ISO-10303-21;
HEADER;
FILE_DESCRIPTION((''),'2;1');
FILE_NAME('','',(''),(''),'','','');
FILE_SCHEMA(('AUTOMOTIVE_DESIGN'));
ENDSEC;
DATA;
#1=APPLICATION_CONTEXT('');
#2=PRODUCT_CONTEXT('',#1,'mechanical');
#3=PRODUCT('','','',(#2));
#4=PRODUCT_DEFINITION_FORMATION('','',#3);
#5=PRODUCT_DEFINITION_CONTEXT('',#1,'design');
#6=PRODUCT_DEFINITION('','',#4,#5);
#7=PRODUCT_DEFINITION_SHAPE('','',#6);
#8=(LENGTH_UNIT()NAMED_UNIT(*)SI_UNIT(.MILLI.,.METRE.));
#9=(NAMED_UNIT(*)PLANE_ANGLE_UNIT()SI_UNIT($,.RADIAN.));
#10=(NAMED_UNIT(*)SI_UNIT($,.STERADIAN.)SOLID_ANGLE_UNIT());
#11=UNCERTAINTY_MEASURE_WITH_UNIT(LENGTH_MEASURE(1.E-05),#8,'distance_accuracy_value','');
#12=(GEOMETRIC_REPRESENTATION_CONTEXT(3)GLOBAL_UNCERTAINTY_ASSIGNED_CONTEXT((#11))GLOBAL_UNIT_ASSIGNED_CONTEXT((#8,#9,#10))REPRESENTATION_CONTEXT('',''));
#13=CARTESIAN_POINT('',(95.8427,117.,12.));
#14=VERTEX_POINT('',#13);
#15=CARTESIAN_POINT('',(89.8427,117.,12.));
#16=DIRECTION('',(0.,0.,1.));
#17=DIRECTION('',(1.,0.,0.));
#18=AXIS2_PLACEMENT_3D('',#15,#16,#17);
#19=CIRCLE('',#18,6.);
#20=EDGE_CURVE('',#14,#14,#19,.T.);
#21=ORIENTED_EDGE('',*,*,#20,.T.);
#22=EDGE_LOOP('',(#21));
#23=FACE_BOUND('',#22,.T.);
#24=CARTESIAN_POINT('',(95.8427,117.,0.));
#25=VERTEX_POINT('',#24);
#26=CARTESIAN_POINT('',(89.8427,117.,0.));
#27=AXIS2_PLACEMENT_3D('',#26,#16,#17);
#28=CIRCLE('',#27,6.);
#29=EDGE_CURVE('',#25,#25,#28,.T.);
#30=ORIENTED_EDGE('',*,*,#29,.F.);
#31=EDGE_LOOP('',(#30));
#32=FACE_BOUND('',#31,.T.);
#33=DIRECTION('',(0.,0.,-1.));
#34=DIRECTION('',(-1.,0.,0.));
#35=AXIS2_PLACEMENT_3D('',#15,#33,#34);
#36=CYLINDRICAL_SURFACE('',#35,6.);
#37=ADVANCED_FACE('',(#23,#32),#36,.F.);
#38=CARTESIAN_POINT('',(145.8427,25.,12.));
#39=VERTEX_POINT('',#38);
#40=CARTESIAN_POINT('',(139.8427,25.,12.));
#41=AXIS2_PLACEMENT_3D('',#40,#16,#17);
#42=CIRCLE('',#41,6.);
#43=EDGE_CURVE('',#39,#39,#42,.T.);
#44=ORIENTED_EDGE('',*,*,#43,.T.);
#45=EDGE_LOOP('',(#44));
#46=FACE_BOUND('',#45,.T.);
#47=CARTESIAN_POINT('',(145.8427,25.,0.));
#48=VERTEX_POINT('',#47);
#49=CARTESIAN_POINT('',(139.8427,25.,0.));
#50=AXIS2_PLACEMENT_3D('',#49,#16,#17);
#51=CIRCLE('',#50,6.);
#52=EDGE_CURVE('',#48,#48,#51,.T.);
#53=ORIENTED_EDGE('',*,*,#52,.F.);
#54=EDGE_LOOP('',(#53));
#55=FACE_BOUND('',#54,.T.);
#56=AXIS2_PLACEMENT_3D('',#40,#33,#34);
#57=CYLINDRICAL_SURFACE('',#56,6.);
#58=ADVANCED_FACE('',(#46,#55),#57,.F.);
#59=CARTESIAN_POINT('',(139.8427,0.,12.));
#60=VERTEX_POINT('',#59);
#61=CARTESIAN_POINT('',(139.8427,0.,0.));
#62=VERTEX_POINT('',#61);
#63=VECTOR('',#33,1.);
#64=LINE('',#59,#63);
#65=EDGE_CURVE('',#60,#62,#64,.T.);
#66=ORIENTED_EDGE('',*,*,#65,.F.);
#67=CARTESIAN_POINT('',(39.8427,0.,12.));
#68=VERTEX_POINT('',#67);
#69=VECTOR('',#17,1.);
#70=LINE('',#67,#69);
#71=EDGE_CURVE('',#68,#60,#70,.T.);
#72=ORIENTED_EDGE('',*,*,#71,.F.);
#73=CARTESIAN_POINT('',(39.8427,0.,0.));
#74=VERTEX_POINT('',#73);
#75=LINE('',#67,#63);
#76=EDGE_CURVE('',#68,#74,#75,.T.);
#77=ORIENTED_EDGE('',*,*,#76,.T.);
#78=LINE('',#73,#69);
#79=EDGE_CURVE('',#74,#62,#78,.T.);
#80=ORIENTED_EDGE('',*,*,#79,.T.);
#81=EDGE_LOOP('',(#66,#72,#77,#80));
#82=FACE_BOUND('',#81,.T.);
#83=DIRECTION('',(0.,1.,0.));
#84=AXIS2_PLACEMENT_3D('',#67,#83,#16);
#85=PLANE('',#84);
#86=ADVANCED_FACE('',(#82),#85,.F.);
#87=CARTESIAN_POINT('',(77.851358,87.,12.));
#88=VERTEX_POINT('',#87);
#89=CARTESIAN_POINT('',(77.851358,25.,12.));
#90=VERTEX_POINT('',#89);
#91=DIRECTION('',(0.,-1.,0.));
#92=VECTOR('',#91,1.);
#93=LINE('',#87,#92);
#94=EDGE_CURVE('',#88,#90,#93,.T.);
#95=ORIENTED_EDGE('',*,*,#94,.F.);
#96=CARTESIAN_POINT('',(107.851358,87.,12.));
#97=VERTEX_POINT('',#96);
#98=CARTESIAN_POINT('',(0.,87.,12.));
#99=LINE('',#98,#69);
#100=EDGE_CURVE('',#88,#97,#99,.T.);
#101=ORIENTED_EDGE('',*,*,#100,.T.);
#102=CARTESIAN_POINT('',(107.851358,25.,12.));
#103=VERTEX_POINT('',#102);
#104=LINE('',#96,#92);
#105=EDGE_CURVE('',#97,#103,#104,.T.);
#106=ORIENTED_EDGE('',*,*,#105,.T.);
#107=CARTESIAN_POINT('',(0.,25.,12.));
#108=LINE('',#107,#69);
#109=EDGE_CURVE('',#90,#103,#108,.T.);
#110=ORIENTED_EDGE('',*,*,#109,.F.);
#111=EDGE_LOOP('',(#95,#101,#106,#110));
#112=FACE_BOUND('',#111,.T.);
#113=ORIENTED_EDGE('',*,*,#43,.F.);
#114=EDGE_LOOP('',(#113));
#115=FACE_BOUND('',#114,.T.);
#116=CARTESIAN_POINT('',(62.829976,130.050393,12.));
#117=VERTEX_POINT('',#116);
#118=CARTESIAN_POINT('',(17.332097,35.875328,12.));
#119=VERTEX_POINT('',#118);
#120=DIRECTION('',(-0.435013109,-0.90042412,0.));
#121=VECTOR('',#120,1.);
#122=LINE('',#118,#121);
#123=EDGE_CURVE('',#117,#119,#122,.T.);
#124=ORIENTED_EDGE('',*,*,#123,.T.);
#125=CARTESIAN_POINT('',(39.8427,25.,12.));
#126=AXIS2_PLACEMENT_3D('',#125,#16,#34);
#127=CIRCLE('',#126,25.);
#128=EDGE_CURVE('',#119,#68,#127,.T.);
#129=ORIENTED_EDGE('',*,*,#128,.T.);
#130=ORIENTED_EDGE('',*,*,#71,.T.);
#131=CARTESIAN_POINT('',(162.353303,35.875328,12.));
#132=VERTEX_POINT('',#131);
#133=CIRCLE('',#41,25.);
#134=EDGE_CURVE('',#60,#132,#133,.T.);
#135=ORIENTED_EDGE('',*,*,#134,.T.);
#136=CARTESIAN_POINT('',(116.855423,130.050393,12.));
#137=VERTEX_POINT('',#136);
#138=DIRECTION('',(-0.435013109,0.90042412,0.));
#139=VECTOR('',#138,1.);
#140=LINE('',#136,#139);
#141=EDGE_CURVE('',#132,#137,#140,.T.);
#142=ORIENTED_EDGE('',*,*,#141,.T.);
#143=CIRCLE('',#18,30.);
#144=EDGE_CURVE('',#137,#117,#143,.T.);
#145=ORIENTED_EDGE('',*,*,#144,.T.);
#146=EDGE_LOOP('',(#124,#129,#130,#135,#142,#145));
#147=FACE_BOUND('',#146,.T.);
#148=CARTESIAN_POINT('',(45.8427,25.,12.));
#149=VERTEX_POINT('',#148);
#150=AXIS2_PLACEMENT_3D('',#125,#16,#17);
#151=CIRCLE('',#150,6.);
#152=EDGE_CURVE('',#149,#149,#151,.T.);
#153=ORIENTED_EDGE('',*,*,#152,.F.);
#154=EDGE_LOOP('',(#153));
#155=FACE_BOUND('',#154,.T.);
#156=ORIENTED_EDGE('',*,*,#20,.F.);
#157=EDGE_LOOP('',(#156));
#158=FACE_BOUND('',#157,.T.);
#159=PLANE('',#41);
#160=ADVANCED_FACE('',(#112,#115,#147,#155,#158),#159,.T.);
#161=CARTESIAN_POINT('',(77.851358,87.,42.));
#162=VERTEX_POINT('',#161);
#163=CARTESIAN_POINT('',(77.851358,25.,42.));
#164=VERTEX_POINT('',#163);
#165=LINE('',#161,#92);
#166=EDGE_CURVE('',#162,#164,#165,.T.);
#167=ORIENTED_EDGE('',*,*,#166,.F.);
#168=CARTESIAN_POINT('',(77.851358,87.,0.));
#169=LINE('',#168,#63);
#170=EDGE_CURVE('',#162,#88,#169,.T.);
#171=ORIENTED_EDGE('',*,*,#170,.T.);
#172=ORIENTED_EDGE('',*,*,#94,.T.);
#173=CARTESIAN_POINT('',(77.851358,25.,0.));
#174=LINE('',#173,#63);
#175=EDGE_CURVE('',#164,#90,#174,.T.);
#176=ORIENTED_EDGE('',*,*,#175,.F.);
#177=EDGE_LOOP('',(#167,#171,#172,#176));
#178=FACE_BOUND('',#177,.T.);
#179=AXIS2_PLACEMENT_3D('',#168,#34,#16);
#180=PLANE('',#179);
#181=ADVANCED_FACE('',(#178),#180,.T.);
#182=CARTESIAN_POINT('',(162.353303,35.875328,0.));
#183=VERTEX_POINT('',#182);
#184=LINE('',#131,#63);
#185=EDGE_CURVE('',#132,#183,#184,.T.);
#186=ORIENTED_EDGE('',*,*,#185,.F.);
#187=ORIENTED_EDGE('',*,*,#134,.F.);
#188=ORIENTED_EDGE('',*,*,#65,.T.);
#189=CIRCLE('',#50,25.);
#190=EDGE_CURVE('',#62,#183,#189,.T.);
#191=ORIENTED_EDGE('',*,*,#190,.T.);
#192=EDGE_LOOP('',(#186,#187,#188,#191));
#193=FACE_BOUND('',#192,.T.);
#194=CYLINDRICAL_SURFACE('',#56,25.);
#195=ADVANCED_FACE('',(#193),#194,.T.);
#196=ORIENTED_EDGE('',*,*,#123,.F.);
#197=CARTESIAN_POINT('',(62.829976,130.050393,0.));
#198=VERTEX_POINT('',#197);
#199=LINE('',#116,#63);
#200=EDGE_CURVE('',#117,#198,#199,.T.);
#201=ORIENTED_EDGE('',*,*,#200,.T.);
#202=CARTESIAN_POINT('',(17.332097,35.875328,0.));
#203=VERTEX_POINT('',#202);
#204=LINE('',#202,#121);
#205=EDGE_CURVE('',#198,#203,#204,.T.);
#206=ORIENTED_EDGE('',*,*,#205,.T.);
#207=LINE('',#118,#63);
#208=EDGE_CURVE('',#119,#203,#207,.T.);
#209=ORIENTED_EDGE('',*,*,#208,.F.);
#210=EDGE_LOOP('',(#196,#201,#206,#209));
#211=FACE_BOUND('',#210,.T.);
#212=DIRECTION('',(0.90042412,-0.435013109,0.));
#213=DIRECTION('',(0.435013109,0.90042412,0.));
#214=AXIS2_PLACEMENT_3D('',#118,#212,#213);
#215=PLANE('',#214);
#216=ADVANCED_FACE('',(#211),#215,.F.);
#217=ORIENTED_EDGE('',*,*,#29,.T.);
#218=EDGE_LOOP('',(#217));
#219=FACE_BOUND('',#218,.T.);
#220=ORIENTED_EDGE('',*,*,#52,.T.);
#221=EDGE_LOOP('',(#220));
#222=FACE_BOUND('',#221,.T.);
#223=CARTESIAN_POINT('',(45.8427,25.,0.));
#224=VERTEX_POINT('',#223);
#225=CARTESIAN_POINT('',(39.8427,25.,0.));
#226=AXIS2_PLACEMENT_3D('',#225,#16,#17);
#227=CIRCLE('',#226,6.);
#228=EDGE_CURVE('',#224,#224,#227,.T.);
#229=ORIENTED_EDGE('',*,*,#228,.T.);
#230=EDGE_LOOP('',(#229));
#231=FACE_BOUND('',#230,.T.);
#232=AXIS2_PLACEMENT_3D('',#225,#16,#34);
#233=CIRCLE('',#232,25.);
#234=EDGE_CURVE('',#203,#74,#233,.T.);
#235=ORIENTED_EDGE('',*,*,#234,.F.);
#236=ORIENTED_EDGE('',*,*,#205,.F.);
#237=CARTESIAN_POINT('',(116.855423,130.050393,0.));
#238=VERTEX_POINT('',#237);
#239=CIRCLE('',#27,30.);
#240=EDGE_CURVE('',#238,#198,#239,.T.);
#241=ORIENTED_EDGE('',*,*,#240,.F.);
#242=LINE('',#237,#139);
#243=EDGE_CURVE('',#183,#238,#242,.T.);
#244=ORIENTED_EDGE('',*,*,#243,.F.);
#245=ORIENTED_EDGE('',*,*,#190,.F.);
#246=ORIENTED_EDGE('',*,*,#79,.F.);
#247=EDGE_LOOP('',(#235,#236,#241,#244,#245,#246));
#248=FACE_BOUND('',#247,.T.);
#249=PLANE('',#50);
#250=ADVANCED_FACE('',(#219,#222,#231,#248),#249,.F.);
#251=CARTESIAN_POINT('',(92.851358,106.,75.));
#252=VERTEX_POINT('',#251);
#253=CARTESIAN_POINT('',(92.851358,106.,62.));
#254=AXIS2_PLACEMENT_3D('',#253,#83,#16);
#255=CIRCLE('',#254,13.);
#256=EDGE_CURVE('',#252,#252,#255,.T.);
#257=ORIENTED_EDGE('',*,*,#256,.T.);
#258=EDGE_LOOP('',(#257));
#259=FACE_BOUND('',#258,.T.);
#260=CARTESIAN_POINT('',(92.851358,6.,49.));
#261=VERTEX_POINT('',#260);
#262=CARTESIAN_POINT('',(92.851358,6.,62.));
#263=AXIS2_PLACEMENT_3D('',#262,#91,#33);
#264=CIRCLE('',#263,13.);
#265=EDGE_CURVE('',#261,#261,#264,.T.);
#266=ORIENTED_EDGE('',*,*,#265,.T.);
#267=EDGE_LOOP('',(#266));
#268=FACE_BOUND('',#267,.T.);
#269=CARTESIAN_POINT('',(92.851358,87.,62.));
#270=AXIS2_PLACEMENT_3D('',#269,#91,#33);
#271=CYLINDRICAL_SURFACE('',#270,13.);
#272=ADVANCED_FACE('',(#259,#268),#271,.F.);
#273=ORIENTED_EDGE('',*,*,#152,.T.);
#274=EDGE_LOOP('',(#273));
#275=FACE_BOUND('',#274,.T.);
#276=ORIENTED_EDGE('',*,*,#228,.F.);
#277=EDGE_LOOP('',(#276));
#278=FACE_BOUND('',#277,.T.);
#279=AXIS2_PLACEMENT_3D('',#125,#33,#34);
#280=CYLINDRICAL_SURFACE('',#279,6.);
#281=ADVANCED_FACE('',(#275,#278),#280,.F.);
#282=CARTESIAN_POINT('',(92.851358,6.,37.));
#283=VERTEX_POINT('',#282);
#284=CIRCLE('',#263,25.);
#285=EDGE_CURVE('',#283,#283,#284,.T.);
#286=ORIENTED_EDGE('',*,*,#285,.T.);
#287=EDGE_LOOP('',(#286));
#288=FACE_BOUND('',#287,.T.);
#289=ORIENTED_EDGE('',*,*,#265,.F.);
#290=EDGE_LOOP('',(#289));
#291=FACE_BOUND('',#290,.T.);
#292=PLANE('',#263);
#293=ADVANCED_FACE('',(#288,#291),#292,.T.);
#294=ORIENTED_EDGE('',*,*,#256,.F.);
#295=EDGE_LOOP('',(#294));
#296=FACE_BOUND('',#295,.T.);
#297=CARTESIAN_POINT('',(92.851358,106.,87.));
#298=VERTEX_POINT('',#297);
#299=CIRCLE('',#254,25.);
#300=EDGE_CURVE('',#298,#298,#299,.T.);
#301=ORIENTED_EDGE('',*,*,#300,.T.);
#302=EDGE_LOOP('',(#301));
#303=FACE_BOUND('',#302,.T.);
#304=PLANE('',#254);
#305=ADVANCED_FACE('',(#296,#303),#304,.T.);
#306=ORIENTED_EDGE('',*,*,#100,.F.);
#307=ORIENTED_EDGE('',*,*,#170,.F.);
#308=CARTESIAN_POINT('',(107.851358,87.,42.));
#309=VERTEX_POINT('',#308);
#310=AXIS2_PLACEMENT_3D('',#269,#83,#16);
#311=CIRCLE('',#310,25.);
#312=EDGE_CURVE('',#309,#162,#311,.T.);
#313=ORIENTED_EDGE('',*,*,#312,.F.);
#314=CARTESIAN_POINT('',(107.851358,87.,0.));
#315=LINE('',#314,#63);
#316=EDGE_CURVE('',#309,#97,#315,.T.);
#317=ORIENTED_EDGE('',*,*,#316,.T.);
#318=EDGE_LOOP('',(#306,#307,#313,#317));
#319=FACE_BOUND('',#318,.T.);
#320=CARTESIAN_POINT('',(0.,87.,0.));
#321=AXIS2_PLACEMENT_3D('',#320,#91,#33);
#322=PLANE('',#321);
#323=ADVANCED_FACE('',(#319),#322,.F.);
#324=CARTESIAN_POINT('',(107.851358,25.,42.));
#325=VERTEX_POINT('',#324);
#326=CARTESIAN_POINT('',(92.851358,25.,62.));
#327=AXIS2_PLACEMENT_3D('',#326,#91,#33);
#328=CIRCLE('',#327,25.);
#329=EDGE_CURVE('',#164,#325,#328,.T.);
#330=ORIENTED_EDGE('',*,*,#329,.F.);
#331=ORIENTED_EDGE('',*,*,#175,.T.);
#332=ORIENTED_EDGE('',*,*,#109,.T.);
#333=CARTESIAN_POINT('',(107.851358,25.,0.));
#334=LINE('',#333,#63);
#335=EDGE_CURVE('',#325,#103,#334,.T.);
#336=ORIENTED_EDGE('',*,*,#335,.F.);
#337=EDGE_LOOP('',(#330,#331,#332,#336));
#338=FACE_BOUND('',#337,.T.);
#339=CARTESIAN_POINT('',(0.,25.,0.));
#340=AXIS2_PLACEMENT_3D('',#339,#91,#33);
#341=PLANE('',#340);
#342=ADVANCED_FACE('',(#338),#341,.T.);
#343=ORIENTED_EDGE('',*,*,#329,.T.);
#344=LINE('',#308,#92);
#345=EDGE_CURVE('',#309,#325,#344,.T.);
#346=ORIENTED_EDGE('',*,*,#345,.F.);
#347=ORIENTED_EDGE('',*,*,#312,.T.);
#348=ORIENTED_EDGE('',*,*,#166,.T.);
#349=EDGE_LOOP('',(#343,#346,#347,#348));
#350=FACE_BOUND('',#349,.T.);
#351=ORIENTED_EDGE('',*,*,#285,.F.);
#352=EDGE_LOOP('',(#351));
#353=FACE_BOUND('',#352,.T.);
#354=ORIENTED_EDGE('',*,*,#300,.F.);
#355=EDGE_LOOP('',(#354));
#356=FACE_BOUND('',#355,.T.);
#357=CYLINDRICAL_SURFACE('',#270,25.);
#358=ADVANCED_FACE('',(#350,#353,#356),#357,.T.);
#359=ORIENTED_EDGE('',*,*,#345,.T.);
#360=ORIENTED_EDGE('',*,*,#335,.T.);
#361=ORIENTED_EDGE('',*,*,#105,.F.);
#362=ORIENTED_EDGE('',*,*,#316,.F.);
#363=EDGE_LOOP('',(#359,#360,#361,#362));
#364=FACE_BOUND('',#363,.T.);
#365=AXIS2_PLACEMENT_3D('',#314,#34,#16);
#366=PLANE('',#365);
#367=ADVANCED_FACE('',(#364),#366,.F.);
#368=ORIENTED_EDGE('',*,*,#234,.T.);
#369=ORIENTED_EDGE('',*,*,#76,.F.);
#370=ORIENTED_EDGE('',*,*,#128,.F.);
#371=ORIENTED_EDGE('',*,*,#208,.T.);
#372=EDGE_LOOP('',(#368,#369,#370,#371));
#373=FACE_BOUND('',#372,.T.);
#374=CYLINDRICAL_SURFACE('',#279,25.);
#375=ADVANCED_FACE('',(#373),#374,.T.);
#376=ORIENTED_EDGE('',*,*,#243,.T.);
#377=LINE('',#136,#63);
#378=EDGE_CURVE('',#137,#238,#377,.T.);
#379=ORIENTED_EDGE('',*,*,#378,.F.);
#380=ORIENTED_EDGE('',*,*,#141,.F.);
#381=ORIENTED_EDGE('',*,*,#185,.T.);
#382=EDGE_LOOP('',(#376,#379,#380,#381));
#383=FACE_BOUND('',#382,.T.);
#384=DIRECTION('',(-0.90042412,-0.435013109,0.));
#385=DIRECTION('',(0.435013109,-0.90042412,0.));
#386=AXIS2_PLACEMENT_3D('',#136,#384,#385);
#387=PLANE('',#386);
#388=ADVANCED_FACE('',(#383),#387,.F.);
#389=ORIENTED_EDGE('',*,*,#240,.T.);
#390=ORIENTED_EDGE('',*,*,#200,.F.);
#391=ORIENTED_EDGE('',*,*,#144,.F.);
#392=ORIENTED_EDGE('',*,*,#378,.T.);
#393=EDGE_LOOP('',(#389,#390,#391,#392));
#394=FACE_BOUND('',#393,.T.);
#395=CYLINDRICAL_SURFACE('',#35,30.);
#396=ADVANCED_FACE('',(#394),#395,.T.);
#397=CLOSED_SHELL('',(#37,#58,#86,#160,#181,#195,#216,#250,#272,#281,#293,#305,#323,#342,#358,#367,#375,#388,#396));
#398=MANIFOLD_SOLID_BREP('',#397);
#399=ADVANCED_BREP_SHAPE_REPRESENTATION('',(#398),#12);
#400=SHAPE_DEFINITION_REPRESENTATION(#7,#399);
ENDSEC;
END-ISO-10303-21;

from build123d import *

# Parameters (mm, degrees)
IZIM2_R                     = 6
Y_KSEKLIK_EKSTR_ZYON2_DEPTH = 12
IZIM4_R                     = 25
IZIM4_R_2                   = 13
Y_KSEKLIK_EKSTR_ZYON3_DEPTH = 62
IZIM4_6_R                   = 25
IZIM4_6_R_2                 = 13
Y_KSEKLIK_EKSTR_ZYON4_DEPTH = 19
IZIM5_R                     = 25
IZIM5_R_2                   = 13
Y_KSEKLIK_EKSTR_ZYON5_DEPTH = 19


with BuildPart() as part:
    # Çizim2 → Yükseklik-Ekstrüzyon2 (new body)
    with BuildSketch(Plane.XY):
        with BuildLine():
            Line((17.332096605, 35.875327714), (62.829976007, 130.050393256))
            ThreePointArc((62.829976007, 130.050393256), (89.842699599, 147), (116.85542319, 130.050393256))
            Line((116.85542319, 130.050393256), (162.353302592, 35.875327714))
            ThreePointArc((162.353302592, 35.875327714), (161.019139253, 11.712471879), (139.842699599, 0))
            Line((139.842699599, 0), (39.842699599, 0))
            ThreePointArc((39.842699599, 0), (18.666259945, 11.712471879), (17.332096605, 35.875327714))
        make_face()
        with Locations((89.842699599, 117)):
            Circle(IZIM2_R, mode=Mode.SUBTRACT)
        with Locations((39.842699599, 25)):
            Circle(IZIM2_R, mode=Mode.SUBTRACT)
        with Locations((139.842699599, 25)):
            Circle(IZIM2_R, mode=Mode.SUBTRACT)
    extrude(amount=Y_KSEKLIK_EKSTR_ZYON2_DEPTH)

    # Çizim4 → Yükseklik-Ekstrüzyon3 (add)
    with BuildSketch(Plane(origin=(0, 25, 0), x_dir=(-1, 0, 0), z_dir=(0, -1, 0))):
        with BuildLine():
            ThreePointArc((-107.851357607, -42), (-92.851357607, -37), (-77.851357607, -42))
            Line((-77.851357607, -42), (-77.851357607, -12))
            Line((-77.851357607, -12), (-107.851357607, -12))
            Line((-107.851357607, -12), (-107.851357607, -42))
        make_face()
        with Locations((-92.851357607, -62)):
            Circle(IZIM4_R)
        with Locations(Location((-92.851357607, -62, 0), (0, 0, 90))):
            Circle(IZIM4_R_2, mode=Mode.SUBTRACT)
    extrude(amount=-Y_KSEKLIK_EKSTR_ZYON3_DEPTH)

    # Çizim4<6> → Yükseklik-Ekstrüzyon4 (add)
    with BuildSketch(Plane(origin=(0, 25, 0), x_dir=(-1, 0, 0), z_dir=(0, -1, 0))):
        with Locations(Location((-92.851357607, -62, 0), (0, 0, 90))):
            Circle(IZIM4_6_R)
        with Locations(Location((-92.851357607, -62, 0), (0, 0, 90))):
            Circle(IZIM4_6_R_2, mode=Mode.SUBTRACT)
    extrude(amount=Y_KSEKLIK_EKSTR_ZYON4_DEPTH)

    # Çizim5 → Yükseklik-Ekstrüzyon5 (add)
    with BuildSketch(Plane(origin=(0, 87, 0), x_dir=(1, 0, 0), z_dir=(0, 1, 0))):
        with Locations(Location((92.851357607, -62, 0), (0, 0, 90))):
            Circle(IZIM5_R)
        with Locations(Location((92.851357607, -62, 0), (0, 0, 90))):
            Circle(IZIM5_R_2, mode=Mode.SUBTRACT)
    extrude(amount=Y_KSEKLIK_EKSTR_ZYON5_DEPTH)


solid = part.part
